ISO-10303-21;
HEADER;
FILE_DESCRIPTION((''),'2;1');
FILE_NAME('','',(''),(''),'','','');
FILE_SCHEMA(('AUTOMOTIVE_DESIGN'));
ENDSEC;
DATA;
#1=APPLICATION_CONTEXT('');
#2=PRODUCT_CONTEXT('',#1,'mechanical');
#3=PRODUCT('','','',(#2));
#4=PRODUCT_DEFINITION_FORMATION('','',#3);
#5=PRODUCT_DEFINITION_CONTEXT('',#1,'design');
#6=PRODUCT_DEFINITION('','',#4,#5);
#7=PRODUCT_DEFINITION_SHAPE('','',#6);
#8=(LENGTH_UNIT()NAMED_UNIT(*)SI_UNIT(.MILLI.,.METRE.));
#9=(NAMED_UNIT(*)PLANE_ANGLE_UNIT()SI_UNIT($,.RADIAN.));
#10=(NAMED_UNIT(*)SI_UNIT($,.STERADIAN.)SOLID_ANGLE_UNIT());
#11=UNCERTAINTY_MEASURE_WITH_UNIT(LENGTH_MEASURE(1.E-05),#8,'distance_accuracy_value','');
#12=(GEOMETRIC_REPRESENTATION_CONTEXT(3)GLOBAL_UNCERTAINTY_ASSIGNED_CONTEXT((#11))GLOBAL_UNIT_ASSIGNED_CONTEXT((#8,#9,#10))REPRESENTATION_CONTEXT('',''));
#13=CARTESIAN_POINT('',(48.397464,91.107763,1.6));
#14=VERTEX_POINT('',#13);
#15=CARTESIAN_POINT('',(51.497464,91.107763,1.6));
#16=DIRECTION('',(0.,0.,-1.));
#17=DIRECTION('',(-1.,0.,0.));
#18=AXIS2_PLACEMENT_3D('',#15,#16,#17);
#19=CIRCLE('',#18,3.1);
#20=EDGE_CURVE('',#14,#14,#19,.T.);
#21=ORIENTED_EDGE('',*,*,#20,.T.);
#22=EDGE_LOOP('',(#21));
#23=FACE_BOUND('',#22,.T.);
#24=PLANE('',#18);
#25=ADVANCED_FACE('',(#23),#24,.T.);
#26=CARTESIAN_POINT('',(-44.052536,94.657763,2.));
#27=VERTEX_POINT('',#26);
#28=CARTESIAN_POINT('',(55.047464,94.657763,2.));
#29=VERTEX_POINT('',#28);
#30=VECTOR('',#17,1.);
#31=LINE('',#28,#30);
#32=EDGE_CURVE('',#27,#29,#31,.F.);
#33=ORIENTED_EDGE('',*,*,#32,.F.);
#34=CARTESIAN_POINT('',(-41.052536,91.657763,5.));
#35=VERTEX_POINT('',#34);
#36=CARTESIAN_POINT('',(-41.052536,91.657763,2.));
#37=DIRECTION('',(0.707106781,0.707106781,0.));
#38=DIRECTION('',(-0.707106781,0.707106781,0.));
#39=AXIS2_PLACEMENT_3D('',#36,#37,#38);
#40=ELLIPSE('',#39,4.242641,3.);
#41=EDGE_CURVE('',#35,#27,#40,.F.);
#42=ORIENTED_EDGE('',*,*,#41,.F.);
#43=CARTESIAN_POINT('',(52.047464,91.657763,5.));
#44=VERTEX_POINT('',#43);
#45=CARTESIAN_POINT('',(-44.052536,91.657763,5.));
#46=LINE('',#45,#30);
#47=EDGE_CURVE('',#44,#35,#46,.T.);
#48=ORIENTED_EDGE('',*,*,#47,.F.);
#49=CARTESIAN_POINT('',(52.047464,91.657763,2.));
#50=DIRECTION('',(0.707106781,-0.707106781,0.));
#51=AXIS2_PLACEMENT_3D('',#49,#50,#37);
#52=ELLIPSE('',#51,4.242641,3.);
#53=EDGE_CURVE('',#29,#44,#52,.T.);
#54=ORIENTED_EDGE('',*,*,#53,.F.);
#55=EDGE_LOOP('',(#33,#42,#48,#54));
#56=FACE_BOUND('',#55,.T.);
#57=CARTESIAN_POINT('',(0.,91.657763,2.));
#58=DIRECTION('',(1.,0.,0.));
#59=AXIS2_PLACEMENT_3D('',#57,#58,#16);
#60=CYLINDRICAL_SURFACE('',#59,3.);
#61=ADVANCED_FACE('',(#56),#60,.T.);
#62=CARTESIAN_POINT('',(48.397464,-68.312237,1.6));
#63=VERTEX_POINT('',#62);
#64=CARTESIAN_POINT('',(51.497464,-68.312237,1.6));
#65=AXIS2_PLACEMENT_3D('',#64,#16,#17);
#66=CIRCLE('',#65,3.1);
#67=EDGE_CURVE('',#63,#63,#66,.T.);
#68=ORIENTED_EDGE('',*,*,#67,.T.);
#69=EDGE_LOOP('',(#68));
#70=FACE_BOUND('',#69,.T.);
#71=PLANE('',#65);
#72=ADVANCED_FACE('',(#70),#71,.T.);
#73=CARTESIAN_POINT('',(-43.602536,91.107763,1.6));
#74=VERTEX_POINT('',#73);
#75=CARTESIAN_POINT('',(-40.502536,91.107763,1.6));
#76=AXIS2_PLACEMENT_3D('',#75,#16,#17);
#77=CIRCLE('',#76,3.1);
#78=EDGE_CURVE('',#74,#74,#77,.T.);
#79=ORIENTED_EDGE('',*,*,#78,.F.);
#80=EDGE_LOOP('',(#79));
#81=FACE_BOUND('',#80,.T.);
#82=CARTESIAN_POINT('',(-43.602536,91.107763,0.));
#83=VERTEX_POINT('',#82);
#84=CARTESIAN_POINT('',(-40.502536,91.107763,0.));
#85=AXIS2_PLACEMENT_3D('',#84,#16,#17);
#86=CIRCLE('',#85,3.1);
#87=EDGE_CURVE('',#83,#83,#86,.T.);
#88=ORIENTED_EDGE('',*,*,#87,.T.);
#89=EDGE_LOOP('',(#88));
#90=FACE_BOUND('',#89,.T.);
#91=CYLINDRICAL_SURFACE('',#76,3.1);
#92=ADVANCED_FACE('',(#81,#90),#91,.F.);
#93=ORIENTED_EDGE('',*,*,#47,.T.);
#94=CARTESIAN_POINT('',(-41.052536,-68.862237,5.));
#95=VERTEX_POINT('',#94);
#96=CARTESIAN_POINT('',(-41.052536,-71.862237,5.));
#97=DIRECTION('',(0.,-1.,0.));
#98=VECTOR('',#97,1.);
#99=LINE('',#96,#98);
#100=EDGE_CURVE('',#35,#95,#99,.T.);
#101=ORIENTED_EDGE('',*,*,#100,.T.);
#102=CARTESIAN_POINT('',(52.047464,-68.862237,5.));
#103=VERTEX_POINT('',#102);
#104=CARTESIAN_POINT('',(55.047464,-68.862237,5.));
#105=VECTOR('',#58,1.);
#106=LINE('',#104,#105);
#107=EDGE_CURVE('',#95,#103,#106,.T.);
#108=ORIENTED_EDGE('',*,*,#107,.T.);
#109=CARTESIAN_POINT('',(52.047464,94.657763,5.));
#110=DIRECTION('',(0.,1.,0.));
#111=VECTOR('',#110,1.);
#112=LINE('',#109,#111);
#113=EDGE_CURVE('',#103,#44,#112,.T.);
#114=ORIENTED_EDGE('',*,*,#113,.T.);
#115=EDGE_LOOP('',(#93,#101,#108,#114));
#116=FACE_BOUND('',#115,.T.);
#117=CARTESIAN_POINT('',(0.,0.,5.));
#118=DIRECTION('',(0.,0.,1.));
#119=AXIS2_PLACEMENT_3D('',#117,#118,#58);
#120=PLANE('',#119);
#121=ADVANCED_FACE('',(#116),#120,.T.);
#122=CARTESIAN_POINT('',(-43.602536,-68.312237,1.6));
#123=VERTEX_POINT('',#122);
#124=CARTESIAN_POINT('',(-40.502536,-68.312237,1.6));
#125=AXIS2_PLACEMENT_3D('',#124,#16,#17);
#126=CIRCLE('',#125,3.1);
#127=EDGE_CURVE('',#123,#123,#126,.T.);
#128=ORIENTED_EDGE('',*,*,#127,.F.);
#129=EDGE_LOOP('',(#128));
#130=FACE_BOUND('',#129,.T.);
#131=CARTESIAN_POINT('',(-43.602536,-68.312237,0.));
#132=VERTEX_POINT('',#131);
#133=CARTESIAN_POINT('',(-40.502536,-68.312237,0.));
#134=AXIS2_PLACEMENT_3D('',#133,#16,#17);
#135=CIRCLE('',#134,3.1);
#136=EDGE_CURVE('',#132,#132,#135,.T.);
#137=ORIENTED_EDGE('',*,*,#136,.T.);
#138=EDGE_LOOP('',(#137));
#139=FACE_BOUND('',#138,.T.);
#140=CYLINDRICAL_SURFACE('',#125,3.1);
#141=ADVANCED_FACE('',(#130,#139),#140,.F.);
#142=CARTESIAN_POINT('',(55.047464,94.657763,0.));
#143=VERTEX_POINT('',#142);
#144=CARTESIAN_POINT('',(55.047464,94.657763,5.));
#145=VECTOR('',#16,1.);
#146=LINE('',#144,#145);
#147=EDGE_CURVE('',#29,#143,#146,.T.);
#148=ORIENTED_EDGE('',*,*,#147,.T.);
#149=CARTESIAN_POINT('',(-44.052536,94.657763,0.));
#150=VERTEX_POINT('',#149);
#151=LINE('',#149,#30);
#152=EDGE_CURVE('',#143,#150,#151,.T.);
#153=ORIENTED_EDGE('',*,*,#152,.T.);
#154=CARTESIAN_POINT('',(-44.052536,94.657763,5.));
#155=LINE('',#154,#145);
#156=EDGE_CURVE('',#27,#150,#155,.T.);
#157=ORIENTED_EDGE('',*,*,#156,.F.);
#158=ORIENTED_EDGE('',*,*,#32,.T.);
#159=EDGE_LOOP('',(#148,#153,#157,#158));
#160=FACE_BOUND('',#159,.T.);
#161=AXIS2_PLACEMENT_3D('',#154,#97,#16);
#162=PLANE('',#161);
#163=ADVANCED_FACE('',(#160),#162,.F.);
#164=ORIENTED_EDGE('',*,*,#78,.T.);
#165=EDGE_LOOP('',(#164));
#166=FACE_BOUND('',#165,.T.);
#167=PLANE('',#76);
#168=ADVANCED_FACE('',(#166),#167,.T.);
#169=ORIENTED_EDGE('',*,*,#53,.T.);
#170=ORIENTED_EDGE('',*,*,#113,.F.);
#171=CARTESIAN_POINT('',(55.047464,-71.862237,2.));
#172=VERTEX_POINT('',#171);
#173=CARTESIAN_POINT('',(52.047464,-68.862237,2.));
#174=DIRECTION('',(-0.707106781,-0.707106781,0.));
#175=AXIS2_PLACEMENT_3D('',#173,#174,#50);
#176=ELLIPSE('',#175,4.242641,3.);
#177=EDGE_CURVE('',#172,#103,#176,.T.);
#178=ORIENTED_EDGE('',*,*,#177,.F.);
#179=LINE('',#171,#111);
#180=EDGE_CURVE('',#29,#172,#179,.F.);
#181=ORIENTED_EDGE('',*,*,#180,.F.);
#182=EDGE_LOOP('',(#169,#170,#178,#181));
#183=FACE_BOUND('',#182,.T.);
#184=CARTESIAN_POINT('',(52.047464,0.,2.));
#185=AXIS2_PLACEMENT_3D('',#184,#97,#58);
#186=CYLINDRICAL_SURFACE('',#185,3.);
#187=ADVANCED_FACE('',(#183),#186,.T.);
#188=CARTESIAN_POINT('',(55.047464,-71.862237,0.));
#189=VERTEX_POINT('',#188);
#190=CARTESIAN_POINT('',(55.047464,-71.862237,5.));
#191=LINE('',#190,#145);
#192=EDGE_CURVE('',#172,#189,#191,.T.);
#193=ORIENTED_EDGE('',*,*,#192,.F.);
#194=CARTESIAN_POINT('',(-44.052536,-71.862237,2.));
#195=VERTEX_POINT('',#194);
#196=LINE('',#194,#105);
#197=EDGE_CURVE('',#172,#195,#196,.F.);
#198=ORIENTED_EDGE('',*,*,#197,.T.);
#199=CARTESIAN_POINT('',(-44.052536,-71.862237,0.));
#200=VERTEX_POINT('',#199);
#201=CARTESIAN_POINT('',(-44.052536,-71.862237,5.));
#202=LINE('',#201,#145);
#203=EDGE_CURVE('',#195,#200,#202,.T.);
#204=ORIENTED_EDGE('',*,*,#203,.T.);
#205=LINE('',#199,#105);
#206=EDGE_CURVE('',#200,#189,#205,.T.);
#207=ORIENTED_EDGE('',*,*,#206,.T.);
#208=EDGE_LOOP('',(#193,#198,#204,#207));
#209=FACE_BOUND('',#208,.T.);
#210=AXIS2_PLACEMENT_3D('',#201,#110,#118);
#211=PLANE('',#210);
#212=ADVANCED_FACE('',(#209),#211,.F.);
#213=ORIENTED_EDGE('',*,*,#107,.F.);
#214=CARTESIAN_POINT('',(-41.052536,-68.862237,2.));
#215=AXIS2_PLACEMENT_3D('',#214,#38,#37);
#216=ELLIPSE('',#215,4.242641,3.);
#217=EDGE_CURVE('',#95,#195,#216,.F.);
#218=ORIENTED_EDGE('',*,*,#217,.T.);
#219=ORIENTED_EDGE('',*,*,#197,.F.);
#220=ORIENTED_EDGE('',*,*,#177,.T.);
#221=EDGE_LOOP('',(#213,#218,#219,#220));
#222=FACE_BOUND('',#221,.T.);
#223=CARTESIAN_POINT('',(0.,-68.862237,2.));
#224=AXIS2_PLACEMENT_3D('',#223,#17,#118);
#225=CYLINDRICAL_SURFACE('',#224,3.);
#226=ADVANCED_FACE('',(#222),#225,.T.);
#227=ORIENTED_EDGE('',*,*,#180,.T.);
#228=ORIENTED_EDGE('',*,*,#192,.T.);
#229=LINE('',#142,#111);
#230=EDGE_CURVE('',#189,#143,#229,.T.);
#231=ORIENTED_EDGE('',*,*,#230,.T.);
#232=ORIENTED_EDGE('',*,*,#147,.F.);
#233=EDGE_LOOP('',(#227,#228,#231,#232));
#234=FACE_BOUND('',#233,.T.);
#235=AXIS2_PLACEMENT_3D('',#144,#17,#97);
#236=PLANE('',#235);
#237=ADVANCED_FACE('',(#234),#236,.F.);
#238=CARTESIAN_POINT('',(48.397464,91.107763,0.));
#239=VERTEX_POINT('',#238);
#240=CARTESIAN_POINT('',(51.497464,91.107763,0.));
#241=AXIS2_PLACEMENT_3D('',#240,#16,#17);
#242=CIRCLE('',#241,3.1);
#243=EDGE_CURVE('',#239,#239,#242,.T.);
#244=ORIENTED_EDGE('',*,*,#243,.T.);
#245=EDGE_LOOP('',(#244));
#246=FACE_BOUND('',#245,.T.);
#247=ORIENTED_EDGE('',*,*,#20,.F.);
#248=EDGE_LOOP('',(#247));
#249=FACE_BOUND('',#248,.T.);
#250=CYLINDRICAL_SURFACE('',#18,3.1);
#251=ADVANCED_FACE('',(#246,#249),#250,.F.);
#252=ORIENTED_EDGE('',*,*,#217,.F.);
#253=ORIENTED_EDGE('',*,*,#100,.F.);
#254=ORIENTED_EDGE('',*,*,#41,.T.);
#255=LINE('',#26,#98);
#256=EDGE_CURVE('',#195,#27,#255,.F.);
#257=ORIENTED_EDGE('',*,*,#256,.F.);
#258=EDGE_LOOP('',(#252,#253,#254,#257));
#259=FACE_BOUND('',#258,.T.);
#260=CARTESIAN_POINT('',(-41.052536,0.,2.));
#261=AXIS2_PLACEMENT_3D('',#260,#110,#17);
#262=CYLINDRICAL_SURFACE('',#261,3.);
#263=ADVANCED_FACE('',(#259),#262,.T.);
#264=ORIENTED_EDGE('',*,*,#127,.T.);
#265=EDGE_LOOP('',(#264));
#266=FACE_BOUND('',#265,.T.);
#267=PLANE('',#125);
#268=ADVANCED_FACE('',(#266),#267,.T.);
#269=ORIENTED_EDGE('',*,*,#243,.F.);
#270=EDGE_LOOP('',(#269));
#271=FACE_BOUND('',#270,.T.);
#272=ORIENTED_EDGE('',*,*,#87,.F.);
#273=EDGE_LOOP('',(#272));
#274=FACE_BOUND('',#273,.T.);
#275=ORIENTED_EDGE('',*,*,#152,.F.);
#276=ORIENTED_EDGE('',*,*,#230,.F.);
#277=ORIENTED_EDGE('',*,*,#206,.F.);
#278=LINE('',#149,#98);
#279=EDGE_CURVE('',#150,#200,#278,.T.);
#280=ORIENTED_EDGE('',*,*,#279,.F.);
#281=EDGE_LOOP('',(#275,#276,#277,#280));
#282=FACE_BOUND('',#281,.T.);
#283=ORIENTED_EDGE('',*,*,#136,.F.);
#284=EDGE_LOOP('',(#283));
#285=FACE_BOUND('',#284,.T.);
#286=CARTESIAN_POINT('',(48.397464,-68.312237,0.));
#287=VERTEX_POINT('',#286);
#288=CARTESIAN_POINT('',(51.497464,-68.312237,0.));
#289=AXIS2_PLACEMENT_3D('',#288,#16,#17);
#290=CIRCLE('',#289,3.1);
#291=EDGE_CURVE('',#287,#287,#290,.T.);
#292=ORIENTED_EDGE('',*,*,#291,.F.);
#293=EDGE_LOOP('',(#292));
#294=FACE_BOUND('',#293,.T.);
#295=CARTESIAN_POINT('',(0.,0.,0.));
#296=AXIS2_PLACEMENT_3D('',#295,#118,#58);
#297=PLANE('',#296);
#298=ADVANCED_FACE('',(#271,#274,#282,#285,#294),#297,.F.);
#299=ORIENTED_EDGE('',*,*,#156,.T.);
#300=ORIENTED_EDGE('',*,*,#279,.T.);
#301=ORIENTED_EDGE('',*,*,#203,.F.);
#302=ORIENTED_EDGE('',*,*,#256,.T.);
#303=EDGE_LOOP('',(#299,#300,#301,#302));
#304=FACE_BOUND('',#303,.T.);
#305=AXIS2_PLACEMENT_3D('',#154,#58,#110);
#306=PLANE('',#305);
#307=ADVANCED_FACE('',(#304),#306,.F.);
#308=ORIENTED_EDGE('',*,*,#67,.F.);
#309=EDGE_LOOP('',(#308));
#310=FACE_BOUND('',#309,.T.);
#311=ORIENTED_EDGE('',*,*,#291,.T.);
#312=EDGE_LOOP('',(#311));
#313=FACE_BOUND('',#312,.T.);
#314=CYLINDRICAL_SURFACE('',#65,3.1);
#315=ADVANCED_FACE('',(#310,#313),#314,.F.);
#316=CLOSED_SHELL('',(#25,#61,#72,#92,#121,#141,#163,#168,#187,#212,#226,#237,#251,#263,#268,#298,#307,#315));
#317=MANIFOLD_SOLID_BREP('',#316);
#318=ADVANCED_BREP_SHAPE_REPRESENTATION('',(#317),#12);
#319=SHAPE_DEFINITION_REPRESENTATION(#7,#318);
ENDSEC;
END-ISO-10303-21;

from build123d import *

# Parameters (mm, degrees)
ESBO_O1_W                = 99.1
ESBO_O1_H                = 166.52
RESSALTO_EXTRUS_O1_DEPTH = 5
FILETE1_R                = 3
ESBO_O2_R                = 3.1
CORTE_EXTRUS_O1_DEPTH    = 1.6
ESBO_O3_R                = 3.1
CORTE_EXTRUS_O2_DEPTH    = 1.6
ESBO_O4_R                = 3.1
CORTE_EXTRUS_O3_DEPTH    = 1.6
ESBO_O5_R                = 3.1
CORTE_EXTRUS_O4_DEPTH    = 1.6


with BuildPart() as part:
    # Esboço1 → Ressalto-extrusão1 (new body)
    with BuildSketch(Plane.XY):
        with Locations((5.497464185, 11.397762804)):
            Rectangle(ESBO_O1_W, ESBO_O1_H)
    extrude(amount=RESSALTO_EXTRUS_O1_DEPTH)

    # Filete1
    filete1_edges = [part.edges().sort_by_distance(p)[0] for p in [
        (55.047464185, 11.397762804, 5),
        (5.497464185, 94.657762804, 5),
        (-44.052535815, 11.397762804, 5),
        (5.497464185, -71.862237196, 5),
    ]]
    fillet(filete1_edges, radius=FILETE1_R)

    # Esboço2 → Corte-extrusão1 (cut)
    with BuildSketch(Plane(origin=(0, 0, 0), x_dir=(-1, 0, 0), z_dir=(0, 0, -1))):
        with Locations((-51.497464185, 91.107762804)):
            Circle(ESBO_O2_R)
    extrude(amount=-CORTE_EXTRUS_O1_DEPTH, mode=Mode.SUBTRACT)

    # Esboço3 → Corte-extrusão2 (cut)
    with BuildSketch(Plane(origin=(0, 0, 0), x_dir=(-1, 0, 0), z_dir=(0, 0, -1))):
        with Locations((40.502535815, 91.107762804)):
            Circle(ESBO_O3_R)
    extrude(amount=-CORTE_EXTRUS_O2_DEPTH, mode=Mode.SUBTRACT)

    # Esboço4 → Corte-extrusão3 (cut)
    with BuildSketch(Plane(origin=(0, 0, 0), x_dir=(-1, 0, 0), z_dir=(0, 0, -1))):
        with Locations((-51.497464185, -68.312237196)):
            Circle(ESBO_O4_R)
    extrude(amount=-CORTE_EXTRUS_O3_DEPTH, mode=Mode.SUBTRACT)

    # Esboço5 → Corte-extrusão4 (cut)
    with BuildSketch(Plane(origin=(0, 0, 0), x_dir=(-1, 0, 0), z_dir=(0, 0, -1))):
        with Locations((40.502535815, -68.312237196)):
            Circle(ESBO_O5_R)
    extrude(amount=-CORTE_EXTRUS_O4_DEPTH, mode=Mode.SUBTRACT)


solid = part.part
